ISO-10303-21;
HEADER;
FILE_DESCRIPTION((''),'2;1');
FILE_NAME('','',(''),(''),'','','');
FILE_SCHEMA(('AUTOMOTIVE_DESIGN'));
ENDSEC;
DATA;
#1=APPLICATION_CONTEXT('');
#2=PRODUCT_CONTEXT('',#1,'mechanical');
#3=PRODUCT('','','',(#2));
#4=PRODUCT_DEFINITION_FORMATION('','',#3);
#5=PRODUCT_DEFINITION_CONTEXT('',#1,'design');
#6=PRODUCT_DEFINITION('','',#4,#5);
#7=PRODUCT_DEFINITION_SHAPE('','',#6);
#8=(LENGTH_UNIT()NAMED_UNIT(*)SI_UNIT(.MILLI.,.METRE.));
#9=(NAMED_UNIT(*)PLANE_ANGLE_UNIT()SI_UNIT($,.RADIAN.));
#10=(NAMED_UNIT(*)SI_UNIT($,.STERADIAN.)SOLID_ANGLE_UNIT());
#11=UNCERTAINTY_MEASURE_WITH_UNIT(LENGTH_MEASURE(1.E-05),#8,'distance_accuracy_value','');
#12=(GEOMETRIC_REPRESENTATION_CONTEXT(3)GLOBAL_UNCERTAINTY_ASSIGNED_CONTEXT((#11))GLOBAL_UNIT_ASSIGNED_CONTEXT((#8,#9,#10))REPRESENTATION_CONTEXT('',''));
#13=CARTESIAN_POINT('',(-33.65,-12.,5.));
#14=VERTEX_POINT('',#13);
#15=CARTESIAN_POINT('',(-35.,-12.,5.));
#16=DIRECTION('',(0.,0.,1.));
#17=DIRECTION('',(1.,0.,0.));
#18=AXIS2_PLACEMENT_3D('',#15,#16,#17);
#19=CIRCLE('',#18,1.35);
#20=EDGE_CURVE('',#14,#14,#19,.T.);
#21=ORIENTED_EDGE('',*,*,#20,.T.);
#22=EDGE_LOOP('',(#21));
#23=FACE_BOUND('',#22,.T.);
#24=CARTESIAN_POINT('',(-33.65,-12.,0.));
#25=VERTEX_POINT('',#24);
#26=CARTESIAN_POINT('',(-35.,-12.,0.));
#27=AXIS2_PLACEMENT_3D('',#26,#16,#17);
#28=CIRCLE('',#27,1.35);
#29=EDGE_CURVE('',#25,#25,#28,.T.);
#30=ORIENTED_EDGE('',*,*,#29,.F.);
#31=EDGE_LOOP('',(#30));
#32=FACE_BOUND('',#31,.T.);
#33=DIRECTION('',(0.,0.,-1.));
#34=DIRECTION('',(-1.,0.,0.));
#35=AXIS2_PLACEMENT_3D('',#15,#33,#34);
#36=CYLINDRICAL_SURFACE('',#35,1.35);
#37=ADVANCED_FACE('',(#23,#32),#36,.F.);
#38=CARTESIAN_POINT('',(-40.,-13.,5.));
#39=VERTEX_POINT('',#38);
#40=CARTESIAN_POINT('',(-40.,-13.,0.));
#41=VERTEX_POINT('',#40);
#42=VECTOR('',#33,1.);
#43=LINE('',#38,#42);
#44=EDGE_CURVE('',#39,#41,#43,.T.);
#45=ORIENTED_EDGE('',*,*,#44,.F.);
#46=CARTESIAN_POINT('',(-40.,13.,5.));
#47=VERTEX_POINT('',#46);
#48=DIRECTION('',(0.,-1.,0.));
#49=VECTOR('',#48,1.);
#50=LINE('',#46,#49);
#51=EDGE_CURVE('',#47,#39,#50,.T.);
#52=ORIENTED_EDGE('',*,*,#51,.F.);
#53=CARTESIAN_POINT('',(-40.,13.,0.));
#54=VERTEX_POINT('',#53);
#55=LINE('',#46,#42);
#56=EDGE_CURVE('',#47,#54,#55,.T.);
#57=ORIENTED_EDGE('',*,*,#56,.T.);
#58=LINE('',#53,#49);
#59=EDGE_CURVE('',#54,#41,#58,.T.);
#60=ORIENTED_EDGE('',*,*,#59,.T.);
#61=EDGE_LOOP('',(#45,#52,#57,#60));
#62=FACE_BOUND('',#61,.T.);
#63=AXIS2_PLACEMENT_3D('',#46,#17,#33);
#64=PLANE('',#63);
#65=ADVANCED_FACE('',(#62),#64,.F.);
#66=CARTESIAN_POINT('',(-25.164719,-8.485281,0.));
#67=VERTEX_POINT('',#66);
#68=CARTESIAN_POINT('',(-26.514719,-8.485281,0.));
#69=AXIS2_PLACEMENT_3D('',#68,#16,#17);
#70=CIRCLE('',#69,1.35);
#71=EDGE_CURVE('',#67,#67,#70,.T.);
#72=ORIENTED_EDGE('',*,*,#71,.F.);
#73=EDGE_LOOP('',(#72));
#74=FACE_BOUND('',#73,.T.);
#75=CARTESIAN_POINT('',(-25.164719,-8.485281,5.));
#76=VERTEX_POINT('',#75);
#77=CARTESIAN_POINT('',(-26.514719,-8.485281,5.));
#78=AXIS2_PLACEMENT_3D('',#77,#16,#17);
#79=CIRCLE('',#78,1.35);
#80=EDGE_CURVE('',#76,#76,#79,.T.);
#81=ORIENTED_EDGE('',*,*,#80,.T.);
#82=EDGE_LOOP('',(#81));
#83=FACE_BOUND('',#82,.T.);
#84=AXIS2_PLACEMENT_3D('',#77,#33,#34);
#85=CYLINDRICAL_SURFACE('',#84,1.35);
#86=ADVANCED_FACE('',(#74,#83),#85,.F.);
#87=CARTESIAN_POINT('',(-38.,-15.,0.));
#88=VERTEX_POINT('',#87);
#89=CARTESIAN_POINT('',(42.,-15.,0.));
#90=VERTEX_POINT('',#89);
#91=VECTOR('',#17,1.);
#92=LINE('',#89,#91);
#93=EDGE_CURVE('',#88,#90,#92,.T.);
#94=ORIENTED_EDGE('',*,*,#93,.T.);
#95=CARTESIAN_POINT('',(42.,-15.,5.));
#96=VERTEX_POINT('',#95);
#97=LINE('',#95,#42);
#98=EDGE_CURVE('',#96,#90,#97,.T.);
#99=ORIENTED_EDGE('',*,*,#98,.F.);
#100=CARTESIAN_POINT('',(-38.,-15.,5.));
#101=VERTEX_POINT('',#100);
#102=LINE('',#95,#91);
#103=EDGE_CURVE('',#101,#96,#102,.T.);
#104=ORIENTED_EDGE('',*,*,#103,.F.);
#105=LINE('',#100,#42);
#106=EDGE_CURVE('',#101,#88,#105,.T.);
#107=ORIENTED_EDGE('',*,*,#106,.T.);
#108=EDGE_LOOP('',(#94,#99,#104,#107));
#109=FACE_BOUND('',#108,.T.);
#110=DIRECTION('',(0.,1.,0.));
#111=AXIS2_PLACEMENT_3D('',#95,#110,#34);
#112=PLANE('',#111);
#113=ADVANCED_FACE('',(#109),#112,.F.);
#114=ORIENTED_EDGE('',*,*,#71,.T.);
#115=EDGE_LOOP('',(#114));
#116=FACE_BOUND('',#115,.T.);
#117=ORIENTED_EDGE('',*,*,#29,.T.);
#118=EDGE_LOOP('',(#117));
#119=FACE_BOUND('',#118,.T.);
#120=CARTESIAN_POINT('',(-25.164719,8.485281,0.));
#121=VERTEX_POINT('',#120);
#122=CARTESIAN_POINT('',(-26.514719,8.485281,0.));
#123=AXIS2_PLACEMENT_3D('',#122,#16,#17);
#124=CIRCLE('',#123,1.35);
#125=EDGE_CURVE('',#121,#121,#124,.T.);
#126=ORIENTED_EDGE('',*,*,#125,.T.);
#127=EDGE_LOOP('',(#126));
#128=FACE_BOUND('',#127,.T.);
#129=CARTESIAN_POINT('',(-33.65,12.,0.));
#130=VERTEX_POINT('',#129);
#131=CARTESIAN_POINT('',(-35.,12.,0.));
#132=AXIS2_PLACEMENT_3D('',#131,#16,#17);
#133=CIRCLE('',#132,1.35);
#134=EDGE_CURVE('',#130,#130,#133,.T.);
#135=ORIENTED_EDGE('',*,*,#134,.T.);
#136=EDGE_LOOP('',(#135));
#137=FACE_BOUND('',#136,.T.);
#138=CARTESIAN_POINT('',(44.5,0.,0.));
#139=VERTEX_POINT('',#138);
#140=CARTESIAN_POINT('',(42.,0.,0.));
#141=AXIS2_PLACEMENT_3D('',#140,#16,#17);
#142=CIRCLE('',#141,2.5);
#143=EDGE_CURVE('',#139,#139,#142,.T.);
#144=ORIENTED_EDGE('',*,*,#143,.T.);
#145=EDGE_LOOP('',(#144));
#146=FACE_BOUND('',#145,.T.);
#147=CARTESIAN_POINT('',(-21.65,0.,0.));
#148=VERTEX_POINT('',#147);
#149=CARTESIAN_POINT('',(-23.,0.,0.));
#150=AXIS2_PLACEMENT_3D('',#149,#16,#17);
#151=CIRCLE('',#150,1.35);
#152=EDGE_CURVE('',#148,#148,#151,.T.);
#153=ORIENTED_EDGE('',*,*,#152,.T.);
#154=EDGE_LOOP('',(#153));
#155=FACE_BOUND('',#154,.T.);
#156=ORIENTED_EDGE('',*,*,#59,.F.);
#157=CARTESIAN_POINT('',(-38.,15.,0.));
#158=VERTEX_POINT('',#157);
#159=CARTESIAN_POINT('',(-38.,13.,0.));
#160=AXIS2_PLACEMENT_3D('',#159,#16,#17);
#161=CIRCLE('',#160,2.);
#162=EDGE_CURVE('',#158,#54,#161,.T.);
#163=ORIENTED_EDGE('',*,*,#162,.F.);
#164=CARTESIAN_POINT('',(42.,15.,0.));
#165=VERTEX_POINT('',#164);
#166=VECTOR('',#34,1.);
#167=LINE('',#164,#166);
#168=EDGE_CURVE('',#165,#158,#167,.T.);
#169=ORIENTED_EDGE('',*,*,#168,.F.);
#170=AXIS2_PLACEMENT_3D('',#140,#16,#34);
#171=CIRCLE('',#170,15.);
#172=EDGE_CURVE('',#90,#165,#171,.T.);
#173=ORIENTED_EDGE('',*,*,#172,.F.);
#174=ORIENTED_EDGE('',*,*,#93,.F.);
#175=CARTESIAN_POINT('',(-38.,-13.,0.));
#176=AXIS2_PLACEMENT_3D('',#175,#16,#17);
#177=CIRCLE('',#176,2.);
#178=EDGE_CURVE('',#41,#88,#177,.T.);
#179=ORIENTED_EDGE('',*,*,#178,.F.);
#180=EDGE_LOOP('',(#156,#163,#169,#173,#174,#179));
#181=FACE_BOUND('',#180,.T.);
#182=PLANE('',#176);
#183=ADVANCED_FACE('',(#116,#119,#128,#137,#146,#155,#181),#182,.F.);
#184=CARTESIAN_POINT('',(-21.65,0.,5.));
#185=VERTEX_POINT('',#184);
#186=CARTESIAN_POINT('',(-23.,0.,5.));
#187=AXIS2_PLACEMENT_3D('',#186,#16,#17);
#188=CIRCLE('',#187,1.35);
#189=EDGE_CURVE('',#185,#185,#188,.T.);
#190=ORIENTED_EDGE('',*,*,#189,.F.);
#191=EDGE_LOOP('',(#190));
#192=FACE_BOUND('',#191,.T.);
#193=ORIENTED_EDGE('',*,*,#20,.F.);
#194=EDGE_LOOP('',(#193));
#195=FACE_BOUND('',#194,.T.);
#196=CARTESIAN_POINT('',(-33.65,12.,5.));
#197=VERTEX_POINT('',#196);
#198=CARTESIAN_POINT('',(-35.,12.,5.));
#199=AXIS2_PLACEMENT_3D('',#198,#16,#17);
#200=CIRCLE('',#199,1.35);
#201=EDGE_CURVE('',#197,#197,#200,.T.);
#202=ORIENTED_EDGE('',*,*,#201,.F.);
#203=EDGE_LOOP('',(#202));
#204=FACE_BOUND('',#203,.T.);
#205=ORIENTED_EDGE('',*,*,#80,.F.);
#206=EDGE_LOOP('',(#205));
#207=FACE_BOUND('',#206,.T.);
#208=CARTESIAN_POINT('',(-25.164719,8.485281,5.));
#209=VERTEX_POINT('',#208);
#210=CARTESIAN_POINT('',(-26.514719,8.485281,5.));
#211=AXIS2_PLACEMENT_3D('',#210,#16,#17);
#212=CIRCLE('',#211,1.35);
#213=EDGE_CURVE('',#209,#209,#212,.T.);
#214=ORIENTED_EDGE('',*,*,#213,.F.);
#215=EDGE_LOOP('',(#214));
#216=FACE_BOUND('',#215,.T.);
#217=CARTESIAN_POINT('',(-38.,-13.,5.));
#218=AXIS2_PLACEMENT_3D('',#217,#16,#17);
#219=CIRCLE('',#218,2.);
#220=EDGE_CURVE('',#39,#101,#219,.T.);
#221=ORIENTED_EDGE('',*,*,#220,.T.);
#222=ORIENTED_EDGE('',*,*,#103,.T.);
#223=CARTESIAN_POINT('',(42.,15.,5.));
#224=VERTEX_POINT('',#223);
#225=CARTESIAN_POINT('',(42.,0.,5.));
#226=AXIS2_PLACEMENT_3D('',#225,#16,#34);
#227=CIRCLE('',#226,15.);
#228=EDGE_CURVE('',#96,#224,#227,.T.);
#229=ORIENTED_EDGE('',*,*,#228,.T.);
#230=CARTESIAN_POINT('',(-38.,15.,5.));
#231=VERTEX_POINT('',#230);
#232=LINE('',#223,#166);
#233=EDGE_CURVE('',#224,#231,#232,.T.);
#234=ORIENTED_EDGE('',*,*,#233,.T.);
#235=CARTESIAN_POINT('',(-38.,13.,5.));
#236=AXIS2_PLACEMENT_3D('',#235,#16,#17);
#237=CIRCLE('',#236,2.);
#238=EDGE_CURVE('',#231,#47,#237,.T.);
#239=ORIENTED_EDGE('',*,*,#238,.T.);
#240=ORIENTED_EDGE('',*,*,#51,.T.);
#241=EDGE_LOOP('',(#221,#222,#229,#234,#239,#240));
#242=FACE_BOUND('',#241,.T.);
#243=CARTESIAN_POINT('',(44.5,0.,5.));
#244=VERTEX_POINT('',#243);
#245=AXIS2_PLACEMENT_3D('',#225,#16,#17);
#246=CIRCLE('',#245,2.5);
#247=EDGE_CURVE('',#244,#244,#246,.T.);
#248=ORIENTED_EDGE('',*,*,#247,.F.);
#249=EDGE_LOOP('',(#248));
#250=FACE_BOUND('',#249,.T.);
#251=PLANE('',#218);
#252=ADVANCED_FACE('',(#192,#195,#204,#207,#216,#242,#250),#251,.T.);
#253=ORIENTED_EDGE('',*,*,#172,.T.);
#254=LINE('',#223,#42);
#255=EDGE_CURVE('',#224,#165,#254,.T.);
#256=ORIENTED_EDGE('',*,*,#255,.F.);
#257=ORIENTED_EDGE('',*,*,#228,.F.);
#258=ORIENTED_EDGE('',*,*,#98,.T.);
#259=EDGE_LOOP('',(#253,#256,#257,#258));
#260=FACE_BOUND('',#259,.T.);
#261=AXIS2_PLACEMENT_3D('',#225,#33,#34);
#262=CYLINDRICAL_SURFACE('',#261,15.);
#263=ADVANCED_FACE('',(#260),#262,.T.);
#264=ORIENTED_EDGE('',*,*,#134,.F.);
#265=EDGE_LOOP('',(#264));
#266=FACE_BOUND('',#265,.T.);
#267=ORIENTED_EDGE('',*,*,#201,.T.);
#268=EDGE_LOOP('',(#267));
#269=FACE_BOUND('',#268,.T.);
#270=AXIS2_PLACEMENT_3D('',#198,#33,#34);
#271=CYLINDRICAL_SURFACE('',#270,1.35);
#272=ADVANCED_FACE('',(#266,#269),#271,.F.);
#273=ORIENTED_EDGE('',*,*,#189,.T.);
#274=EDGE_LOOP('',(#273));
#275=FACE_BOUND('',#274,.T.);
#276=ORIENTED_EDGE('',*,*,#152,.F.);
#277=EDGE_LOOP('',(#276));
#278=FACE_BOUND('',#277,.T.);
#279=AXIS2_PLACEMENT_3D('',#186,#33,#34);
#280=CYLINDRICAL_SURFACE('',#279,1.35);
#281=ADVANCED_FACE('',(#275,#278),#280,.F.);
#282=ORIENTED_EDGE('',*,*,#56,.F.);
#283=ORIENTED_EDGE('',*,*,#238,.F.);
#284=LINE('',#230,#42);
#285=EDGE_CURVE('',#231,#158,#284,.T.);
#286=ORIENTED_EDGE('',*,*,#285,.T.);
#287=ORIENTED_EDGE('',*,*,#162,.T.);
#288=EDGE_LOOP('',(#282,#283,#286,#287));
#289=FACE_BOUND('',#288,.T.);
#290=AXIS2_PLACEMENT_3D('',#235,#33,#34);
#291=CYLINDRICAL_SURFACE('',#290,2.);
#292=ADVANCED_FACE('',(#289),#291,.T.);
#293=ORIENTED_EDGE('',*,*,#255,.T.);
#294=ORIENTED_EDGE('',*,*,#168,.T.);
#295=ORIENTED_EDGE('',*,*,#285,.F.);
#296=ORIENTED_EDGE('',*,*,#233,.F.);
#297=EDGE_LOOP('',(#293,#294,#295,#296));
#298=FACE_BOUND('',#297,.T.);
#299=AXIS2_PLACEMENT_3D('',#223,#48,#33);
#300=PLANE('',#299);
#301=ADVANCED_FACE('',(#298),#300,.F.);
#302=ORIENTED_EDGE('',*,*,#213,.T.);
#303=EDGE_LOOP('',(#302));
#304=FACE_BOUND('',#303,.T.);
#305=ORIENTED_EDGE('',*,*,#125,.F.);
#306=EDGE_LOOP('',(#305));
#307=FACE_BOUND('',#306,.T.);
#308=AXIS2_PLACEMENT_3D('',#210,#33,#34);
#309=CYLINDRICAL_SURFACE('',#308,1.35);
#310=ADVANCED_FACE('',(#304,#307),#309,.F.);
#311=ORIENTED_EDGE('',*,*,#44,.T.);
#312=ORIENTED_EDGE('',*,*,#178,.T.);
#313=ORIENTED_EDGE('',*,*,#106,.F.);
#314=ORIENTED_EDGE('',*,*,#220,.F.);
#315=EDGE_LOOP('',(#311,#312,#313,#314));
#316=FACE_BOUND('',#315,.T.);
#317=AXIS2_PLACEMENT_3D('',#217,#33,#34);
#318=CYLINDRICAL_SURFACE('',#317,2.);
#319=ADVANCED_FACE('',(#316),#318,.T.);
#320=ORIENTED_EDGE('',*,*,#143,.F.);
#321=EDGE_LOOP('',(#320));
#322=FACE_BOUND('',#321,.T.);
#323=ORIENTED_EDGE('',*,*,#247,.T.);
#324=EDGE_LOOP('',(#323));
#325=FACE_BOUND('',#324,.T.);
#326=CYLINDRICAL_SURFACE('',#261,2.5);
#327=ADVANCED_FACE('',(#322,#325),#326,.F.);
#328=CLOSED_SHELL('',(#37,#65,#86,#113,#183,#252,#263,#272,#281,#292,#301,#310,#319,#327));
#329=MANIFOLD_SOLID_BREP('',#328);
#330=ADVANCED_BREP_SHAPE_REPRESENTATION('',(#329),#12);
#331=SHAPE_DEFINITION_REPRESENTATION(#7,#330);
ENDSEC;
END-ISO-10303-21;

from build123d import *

# Parameters (mm, degrees)
SKETCH_1_R      = 1.35
SKETCH_1_R_2    = 2.5
EXTRUDE_1_DEPTH = 5


with BuildPart() as part:
    # 草图1 → 凸台-拉伸1 (new body)
    with BuildSketch(Plane.XY):
        with BuildLine():
            Line((-40, 13), (-40, -13))
            ThreePointArc((-40, -13), (-39.414213562, -14.414213562), (-38, -15))
            Line((-38, -15), (42, -15))
            ThreePointArc((42, -15), (57, 0), (42, 15))
            Line((42, 15), (-38, 15))
            ThreePointArc((-38, 15), (-39.414213562, 14.414213562), (-40, 13))
        make_face()
        with Locations((-35, -12)):
            Circle(SKETCH_1_R, mode=Mode.SUBTRACT)
        with Locations((-26.514718626, -8.485281374)):
            Circle(SKETCH_1_R, mode=Mode.SUBTRACT)
        with Locations((-35, 12)):
            Circle(SKETCH_1_R, mode=Mode.SUBTRACT)
        with Locations((-26.514718626, 8.485281374)):
            Circle(SKETCH_1_R, mode=Mode.SUBTRACT)
        with Locations((-23, 0)):
            Circle(SKETCH_1_R, mode=Mode.SUBTRACT)
        with Locations((42, 0)):
            Circle(SKETCH_1_R_2, mode=Mode.SUBTRACT)
    extrude(amount=EXTRUDE_1_DEPTH)


solid = part.part
